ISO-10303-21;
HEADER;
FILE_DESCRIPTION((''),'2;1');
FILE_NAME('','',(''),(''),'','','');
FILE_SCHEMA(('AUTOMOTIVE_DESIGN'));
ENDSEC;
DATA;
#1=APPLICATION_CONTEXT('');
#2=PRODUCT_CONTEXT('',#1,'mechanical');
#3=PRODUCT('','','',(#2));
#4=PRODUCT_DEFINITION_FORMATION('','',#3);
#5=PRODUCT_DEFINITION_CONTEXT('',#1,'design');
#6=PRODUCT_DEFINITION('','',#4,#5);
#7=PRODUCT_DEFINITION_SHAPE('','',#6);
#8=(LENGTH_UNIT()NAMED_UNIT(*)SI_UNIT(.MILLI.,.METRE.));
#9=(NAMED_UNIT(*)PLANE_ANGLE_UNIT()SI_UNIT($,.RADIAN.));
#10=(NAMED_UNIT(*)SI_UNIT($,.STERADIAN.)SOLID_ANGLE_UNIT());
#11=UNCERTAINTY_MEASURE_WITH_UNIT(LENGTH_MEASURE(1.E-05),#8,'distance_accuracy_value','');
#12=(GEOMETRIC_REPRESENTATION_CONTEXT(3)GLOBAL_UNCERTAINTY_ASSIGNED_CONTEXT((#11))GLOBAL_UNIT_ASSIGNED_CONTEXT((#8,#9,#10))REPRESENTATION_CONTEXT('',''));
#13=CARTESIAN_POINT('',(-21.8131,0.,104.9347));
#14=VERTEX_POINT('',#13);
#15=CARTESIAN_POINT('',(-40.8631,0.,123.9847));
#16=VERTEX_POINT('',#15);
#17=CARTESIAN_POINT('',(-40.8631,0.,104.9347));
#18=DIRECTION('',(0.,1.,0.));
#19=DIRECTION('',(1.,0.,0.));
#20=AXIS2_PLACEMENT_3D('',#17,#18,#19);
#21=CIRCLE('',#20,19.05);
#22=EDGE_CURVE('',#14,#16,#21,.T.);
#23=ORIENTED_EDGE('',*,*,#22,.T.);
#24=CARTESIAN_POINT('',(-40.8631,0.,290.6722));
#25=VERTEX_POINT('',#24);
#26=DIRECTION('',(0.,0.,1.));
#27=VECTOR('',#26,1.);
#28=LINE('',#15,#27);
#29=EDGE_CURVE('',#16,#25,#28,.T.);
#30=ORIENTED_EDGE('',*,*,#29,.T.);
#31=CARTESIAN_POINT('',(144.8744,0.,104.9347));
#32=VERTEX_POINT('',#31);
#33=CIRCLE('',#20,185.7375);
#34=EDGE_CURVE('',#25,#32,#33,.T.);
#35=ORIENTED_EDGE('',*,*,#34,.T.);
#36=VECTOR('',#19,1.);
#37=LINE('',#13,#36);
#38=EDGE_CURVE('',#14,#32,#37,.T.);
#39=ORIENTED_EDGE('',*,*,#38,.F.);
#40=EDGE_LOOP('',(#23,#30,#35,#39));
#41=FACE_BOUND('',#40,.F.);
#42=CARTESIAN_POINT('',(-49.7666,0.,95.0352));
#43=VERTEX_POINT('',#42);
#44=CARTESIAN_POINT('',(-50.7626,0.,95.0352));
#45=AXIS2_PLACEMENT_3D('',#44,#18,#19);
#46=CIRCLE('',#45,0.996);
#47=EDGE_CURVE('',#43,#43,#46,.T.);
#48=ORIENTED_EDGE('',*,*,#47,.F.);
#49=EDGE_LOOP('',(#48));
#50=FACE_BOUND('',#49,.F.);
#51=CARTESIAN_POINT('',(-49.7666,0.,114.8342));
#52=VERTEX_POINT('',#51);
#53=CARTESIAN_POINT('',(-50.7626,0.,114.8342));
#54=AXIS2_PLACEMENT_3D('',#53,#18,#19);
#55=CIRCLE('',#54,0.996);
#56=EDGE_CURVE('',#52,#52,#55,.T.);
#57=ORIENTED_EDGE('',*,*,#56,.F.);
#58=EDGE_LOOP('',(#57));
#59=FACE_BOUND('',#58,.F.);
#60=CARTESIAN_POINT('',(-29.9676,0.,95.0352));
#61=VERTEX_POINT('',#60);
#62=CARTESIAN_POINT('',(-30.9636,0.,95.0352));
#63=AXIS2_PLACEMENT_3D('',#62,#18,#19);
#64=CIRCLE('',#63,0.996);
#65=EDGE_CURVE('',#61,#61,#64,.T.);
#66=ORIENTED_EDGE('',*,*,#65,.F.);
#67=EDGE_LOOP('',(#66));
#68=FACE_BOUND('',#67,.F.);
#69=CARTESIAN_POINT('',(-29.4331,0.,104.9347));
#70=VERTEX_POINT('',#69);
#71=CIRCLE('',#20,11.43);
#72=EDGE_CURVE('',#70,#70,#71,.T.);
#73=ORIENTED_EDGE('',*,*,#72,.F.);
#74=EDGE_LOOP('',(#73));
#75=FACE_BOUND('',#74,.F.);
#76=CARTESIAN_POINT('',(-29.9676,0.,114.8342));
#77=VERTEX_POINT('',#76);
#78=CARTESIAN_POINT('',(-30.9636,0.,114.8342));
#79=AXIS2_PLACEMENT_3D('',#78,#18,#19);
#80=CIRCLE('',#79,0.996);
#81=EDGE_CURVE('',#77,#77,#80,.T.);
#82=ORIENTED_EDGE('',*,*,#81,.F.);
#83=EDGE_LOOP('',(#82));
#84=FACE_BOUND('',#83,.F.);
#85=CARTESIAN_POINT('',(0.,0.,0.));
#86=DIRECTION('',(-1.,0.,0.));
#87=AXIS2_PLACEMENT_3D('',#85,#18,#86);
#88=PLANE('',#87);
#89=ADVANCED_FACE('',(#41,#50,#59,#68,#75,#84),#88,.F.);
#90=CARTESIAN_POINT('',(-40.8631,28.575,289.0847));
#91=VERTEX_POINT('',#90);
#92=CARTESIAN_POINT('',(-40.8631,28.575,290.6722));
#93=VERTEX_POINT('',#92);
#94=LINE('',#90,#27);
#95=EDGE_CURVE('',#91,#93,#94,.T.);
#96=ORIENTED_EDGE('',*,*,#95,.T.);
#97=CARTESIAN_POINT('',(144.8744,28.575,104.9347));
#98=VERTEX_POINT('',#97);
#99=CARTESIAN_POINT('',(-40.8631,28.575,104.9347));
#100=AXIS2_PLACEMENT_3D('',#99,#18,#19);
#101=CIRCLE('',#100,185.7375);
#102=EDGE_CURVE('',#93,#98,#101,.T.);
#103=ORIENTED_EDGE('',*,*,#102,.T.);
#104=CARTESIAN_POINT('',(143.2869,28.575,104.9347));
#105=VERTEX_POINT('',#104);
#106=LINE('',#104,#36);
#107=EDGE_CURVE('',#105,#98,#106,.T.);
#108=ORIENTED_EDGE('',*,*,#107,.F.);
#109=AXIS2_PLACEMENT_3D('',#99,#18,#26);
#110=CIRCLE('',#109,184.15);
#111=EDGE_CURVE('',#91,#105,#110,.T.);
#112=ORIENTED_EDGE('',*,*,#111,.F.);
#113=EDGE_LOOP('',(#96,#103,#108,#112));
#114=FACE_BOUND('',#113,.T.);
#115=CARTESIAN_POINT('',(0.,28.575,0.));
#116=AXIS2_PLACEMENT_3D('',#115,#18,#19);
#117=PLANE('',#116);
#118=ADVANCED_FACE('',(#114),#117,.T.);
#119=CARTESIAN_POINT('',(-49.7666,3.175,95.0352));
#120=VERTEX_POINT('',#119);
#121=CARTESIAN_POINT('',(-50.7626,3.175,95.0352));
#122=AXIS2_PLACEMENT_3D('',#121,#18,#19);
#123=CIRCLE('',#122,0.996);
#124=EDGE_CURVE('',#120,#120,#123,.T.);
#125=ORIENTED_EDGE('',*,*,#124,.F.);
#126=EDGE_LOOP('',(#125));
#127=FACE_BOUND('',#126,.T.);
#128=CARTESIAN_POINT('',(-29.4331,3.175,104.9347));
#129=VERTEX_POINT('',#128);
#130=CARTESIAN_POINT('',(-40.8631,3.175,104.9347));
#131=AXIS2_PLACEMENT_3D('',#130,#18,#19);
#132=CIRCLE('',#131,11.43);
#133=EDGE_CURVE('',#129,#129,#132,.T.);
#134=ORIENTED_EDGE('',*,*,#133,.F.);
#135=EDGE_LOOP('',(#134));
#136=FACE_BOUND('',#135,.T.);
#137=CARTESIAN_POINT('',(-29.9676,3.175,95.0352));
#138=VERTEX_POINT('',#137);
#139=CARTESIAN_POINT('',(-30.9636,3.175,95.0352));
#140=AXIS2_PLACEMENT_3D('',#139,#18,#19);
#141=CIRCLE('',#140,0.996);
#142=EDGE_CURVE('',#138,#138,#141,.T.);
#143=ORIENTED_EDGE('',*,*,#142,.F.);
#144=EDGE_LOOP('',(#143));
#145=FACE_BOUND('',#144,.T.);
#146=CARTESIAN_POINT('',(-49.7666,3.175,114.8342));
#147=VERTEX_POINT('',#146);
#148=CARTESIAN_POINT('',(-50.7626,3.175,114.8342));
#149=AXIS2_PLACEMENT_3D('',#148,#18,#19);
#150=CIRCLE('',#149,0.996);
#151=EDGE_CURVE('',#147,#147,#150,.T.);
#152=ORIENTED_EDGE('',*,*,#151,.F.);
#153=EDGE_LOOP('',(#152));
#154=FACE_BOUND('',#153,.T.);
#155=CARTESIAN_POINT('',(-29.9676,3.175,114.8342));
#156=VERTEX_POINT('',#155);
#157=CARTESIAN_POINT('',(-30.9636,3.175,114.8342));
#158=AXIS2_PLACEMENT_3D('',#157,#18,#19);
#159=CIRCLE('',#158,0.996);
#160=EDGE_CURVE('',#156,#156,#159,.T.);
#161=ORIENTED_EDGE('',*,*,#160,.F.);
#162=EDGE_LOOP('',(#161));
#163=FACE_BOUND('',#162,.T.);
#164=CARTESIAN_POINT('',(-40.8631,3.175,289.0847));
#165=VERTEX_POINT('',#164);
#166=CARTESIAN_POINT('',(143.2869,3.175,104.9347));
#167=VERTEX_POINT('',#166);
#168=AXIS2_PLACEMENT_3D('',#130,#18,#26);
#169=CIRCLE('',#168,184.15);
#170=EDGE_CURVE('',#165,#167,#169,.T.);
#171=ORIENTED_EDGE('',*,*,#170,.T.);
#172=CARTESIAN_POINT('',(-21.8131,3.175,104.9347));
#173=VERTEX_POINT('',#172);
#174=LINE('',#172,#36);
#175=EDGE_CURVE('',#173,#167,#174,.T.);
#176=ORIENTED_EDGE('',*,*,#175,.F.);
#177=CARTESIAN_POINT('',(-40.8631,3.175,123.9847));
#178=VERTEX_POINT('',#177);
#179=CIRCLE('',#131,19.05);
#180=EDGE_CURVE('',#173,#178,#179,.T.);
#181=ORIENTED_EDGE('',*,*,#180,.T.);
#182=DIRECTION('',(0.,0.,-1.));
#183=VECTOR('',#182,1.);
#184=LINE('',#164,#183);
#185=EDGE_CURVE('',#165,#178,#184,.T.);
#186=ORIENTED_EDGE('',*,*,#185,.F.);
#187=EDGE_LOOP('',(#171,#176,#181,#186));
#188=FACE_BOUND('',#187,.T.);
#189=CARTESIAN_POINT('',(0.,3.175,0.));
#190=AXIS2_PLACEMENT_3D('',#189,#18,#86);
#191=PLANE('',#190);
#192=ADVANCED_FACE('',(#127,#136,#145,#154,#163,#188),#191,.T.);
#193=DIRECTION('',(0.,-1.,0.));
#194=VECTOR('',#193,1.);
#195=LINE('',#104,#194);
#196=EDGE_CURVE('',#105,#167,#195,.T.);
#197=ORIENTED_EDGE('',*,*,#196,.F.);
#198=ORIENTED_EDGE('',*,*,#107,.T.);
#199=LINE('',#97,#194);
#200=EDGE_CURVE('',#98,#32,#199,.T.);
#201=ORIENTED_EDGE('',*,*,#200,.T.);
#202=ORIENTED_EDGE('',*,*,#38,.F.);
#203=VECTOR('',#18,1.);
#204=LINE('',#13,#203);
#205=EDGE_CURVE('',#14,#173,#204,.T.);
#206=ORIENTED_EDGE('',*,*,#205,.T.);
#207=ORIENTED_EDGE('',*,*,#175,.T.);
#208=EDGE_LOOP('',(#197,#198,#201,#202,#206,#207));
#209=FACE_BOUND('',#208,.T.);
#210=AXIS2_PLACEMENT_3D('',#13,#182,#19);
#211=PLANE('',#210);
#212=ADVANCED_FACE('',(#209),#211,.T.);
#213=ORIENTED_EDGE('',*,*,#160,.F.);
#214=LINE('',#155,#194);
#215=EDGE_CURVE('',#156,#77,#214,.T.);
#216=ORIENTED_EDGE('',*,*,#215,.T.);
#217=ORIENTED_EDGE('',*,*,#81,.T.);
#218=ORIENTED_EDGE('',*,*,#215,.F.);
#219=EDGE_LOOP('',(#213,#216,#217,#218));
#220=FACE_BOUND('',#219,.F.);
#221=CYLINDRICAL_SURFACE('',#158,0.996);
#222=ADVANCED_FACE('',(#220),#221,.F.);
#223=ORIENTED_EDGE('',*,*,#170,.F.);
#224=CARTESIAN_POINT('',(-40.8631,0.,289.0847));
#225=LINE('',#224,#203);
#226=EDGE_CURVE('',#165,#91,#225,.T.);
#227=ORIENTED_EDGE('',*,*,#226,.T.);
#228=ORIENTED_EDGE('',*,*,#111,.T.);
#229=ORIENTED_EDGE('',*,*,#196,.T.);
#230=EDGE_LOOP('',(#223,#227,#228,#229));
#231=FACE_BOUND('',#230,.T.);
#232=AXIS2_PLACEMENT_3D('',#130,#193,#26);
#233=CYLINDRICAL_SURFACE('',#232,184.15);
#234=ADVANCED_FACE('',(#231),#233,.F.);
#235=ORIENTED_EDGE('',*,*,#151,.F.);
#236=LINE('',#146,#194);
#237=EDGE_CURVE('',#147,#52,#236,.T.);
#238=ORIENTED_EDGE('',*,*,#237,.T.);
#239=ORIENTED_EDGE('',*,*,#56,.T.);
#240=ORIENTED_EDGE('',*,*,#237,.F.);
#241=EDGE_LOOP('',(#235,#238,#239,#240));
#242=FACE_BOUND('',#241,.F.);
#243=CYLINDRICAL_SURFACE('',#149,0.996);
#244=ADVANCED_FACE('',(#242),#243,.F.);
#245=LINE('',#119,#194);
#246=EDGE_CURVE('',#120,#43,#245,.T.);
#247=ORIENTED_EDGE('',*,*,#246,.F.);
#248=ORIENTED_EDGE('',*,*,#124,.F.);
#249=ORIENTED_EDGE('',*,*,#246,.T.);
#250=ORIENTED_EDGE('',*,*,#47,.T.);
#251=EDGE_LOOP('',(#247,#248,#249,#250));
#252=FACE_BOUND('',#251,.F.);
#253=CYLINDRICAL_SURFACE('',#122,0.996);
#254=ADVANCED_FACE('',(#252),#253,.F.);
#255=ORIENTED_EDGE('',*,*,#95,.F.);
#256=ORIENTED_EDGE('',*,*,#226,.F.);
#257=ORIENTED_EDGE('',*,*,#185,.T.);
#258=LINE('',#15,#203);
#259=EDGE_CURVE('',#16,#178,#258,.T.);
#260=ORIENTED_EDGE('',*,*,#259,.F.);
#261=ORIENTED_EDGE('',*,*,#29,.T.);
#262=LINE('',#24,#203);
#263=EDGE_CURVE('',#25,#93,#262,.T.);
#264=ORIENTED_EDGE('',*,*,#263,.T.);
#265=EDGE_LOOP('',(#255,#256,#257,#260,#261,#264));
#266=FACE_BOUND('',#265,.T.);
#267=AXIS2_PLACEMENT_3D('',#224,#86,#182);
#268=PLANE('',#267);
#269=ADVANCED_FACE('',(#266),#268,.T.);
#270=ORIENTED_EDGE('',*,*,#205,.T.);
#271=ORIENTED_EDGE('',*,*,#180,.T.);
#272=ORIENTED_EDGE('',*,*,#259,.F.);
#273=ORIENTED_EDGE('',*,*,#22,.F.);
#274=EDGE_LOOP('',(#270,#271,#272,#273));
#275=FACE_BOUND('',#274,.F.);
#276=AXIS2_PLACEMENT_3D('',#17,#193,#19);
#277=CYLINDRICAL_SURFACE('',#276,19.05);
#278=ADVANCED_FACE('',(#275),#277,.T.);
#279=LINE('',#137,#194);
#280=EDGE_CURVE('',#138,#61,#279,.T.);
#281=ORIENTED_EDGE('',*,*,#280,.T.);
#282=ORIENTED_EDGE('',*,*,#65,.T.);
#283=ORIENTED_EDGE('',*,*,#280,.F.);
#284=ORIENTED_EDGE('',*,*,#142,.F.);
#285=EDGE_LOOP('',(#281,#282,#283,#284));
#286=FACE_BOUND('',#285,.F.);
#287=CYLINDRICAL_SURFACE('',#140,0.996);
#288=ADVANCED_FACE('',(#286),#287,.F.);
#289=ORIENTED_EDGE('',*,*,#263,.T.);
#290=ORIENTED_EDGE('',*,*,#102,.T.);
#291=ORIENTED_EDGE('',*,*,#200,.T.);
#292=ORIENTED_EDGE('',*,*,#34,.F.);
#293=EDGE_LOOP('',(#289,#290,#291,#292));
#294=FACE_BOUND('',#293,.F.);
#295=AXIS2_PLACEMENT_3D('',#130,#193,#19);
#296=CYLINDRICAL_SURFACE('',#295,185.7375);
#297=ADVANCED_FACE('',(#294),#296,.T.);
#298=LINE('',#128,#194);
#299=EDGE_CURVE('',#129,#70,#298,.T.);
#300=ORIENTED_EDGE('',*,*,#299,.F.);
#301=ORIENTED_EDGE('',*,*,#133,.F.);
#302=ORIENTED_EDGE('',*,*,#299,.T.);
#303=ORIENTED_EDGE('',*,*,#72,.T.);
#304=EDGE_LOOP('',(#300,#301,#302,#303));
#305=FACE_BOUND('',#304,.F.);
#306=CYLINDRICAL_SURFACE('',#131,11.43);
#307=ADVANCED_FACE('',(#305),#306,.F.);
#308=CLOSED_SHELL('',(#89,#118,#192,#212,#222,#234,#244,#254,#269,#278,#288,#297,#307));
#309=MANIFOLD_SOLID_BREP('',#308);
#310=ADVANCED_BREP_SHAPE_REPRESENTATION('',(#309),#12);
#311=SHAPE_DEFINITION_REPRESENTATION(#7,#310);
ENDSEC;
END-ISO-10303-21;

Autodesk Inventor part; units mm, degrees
ref_plane "YZ Plane" through (0, 0, 0) normal (1, 0, 0) x (0, 1, 0)
ref_plane "XZ Plane" through (0, 0, 0) normal (0, 1, 0) x (-1, 0, 0)
ref_plane "XY Plane" through (0, 0, 0) normal (0, 0, 1) x (1, 0, 0)
sketch "Sketch1" plane through (0, 0, 0) normal (0, 1, 0) x (-1, 0, 0)
  arc A0 (40.8631, 289.0847) -> (-143.2869, 104.9347) centre (40.8631, 104.9347) ccw
  line L0 (21.8131, 104.9347) -> (-143.2869, 104.9347)
  line L1 (40.8631, 289.0847) -> (40.8631, 123.9847)
  arc A1 (21.8131, 104.9347) -> (40.8631, 123.9847) centre (40.8631, 104.9347) ccw
  point P0 (0, 0)
  dimension "d0" = 368.3
  dimension "d2" = 0
  dimension "d3" = 38.1
extrude "Extrusion1" add sketch "Sketch1" along normal blind 3.175
sketch "Sketch2" plane through (0, 3.175, 0) normal (0, 1, 0) x (1, 0, 0)
  circle A0 centre (-30.9636, -95.0352) radius 1.25 projected
  circle A1 centre (-30.9636, -114.8342) radius 1.25 projected
  circle A2 centre (-50.7626, -114.8342) radius 1.25 projected
  circle A3 centre (-50.7626, -95.0352) radius 1.25 projected
  circle A4 centre (-50.7626, -114.8342) radius 0.996
  circle A5 centre (-30.9636, -114.8342) radius 0.996
  circle A6 centre (-30.9636, -95.0352) radius 0.996
  circle A7 centre (-50.7626, -95.0352) radius 0.996
  arc A8 (-21.8131, -104.9347) -> (-40.8631, -123.9847) centre (-40.8631, -104.9347) ccw projected
  circle A9 centre (-40.8631, -104.9347) radius 11.43
  point P0 (0, 0)
  dimension "d6" = 2.5
  dimension "d7" = 1.992
  dimension "d8" = 1.992
  dimension "d9" = 1.992
  dimension "d10" = 1.992
  dimension "d11" = 22.86
extrude "Extrusion2" cut sketch "Sketch2" against normal blind 3.175 contours A4 | A5 | A6 | A7 | A9
sketch "Sketch3" plane through (0, 3.175, 0) normal (0, 1, 0) x (1, 0, 0)
  arc A0 (-40.8631, -289.0847) -> (143.2869, -104.9347) centre (-40.8631, -104.9347) ccw projected
  circle A1 centre (-40.8631, -104.9347) radius 185.7375
  line L0 (143.2869, -104.9347) -> (144.8744, -104.9347)
  line L1 (-40.8631, -123.9847) -> (-40.8631, -289.0847) projected
  line L2 (-40.8631, -289.0847) -> (-40.8631, -290.6722)
  point P0 (0, 0)
  dimension "d14" = 184.15
  dimension "d15" = 371.475
extrude "Extrusion3" add sketch "Sketch3" along normal blind 25.4 and the other way blind 3.175 contours A0 L0 A1 L2 picked at (143.7515, -117.0198)
properties part number "ramp"
